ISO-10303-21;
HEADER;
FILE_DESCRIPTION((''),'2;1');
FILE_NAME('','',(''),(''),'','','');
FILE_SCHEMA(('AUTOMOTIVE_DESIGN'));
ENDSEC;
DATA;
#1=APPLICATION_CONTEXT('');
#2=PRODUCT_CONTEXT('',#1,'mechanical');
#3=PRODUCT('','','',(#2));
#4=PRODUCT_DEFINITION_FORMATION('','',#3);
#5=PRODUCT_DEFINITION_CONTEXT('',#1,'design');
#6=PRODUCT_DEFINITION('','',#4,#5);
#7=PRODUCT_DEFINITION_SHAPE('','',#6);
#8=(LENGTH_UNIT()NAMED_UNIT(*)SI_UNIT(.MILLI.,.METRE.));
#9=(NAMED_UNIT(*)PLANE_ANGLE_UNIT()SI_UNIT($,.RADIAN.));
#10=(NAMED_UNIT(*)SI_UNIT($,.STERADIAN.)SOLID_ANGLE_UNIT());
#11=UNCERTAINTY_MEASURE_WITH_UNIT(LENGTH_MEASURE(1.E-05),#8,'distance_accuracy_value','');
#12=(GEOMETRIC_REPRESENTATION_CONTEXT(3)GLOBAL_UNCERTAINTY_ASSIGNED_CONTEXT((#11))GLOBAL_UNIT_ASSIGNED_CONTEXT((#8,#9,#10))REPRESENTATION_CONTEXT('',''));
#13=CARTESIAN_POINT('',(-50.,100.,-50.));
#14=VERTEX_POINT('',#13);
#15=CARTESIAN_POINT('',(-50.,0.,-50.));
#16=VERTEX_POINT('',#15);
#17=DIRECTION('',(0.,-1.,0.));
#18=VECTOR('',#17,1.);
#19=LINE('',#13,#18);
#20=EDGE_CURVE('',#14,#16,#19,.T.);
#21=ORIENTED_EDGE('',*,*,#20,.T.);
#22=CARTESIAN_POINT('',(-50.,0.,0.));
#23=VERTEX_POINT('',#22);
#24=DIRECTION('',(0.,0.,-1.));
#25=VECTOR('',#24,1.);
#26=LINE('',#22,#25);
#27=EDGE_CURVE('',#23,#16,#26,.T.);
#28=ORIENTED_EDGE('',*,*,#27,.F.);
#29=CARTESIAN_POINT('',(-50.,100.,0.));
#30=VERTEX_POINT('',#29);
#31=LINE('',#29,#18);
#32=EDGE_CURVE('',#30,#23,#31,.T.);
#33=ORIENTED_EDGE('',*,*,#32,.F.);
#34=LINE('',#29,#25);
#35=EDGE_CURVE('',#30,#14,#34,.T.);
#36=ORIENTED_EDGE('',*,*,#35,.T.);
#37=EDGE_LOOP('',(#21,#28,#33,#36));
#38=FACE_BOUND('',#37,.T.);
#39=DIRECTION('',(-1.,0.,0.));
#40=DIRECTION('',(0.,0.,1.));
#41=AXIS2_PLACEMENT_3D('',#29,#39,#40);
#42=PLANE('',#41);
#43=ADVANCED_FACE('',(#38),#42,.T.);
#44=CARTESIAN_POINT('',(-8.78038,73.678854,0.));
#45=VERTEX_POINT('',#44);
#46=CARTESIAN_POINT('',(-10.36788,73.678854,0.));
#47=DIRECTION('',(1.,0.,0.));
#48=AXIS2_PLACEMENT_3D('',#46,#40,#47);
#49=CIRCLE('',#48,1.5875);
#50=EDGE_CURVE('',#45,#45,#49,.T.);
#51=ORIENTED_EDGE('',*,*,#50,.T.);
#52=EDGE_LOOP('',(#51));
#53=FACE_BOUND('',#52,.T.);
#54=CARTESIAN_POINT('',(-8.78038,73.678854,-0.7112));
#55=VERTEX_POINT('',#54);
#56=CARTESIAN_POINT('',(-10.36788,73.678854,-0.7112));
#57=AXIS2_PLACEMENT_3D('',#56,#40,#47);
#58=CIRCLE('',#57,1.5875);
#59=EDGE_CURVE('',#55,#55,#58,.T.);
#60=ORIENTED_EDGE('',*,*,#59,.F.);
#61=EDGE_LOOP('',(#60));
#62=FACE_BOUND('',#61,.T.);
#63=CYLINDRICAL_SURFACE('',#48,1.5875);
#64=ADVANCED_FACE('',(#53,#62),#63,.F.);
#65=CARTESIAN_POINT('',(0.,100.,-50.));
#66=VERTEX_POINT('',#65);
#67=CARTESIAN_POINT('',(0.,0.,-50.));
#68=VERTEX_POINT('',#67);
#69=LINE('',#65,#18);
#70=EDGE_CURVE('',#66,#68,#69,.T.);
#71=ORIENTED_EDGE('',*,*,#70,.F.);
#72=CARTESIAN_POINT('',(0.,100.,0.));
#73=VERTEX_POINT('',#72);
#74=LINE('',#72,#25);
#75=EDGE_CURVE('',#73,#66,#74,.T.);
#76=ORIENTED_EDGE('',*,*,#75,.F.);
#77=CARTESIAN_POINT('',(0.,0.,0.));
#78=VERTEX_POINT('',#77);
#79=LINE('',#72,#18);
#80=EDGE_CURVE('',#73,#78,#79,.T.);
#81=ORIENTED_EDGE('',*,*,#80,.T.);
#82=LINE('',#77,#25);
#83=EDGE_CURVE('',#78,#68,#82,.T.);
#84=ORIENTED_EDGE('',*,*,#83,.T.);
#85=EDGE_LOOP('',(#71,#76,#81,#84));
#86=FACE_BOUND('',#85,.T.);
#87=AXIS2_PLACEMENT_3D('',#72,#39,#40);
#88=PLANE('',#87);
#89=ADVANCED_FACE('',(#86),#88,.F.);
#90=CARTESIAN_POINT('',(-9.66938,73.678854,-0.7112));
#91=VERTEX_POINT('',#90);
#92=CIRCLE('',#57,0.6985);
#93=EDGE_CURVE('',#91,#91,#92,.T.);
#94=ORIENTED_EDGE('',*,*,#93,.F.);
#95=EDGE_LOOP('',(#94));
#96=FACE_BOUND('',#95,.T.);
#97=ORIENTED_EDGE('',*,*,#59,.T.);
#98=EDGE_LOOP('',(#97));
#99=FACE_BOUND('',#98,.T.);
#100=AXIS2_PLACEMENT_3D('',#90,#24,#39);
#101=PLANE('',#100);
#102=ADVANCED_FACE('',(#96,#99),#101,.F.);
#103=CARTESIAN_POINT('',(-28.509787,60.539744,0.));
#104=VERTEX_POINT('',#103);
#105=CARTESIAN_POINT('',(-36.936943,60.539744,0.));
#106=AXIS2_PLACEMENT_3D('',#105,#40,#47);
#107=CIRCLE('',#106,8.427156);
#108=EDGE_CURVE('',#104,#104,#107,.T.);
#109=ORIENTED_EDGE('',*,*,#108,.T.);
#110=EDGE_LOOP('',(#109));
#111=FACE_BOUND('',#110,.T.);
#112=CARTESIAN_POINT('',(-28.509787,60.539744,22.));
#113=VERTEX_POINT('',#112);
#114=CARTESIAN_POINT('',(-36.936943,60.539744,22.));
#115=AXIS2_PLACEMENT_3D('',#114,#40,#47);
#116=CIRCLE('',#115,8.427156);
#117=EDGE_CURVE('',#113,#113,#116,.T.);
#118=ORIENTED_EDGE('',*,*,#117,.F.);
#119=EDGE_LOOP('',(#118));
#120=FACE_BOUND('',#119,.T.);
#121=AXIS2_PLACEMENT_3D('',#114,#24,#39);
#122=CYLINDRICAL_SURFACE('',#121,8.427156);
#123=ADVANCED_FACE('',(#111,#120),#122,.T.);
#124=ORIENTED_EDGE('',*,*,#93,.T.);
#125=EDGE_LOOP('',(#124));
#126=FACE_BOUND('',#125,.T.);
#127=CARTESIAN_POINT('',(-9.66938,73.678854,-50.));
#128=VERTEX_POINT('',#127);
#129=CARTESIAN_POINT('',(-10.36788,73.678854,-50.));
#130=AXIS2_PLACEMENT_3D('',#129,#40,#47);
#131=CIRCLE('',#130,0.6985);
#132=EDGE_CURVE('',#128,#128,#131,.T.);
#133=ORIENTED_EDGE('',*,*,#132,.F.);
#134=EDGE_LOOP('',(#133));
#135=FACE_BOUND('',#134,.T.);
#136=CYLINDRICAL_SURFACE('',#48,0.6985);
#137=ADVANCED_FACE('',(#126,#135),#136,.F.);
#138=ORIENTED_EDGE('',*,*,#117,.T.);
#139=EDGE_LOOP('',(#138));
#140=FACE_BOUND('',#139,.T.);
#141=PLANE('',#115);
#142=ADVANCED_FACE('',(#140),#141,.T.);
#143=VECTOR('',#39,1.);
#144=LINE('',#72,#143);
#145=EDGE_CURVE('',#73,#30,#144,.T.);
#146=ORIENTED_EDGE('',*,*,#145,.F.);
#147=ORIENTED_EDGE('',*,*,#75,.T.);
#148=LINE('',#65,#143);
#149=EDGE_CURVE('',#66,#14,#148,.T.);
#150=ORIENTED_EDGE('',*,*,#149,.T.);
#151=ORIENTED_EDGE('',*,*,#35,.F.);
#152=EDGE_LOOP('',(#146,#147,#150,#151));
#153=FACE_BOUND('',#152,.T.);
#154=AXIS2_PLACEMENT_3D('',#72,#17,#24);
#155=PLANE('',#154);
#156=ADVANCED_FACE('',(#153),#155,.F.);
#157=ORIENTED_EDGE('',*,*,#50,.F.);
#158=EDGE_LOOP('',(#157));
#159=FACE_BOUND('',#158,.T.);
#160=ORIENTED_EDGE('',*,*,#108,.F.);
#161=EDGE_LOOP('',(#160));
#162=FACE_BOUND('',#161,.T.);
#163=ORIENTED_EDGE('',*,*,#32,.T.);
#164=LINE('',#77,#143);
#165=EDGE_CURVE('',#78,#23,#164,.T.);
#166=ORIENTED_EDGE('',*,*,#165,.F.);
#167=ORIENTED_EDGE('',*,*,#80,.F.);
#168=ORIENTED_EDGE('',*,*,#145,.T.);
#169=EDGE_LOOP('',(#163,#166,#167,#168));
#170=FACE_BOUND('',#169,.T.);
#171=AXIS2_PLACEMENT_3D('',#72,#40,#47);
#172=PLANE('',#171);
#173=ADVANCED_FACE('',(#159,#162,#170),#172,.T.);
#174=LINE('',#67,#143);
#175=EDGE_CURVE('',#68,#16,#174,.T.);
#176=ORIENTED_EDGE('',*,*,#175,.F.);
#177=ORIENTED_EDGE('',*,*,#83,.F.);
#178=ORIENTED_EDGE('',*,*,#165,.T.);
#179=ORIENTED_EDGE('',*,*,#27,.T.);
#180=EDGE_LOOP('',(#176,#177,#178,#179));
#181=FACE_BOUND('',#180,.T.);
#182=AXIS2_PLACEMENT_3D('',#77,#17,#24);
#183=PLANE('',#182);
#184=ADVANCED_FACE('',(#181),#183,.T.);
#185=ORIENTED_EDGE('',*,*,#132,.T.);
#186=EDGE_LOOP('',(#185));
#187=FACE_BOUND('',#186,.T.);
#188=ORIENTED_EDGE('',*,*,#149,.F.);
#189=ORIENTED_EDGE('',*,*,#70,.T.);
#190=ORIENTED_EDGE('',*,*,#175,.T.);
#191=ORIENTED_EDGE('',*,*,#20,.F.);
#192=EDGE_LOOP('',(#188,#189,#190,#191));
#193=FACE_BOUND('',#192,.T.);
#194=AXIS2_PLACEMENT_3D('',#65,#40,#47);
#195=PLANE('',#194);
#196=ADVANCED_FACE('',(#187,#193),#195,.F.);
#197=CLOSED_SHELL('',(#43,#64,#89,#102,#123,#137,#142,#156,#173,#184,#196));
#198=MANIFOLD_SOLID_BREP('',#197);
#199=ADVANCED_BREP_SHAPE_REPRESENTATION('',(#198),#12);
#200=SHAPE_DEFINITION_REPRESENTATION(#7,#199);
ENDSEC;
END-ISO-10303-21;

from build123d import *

# Parameters (mm, degrees)
SKETCH1_W                                           = 50
SKETCH1_H                                           = 50
BOSS_EXTRUDE1_DEPTH                                 = 100
SKETCH2_R                                           = 8.427155927
BOSS_EXTRUDE2_DEPTH                                 = 22
CBORE_FOR_00_BINDING_HEAD_MACHINE_SCREW_D           = 1.397
CBORE_FOR_00_BINDING_HEAD_MACHINE_SCREW_CBORE_D     = 3.175
CBORE_FOR_00_BINDING_HEAD_MACHINE_SCREW_CBORE_DEPTH = 0.7112


with BuildPart() as part:
    # Sketch1 → Boss-Extrude1 (new body)
    with BuildSketch(Plane(origin=(0, 0, 0), x_dir=(1, 0, 0), z_dir=(0, 1, 0))):
        with Locations((-25, 25)):
            Rectangle(SKETCH1_W, SKETCH1_H)
    extrude(amount=BOSS_EXTRUDE1_DEPTH)

    # Sketch2 → Boss-Extrude2 (add)
    with BuildSketch(Plane.XY):
        with Locations((-36.936942804, 60.539744496)):
            Circle(SKETCH2_R)
    extrude(amount=BOSS_EXTRUDE2_DEPTH)

    # CBORE for #00 Binding Head Machine Screw1 (through all)
    with Locations(Plane.XY):
        with Locations((-10.367880278, 73.678854219)):
            CounterBoreHole(CBORE_FOR_00_BINDING_HEAD_MACHINE_SCREW_D / 2, CBORE_FOR_00_BINDING_HEAD_MACHINE_SCREW_CBORE_D / 2, CBORE_FOR_00_BINDING_HEAD_MACHINE_SCREW_CBORE_DEPTH)


solid = part.part
